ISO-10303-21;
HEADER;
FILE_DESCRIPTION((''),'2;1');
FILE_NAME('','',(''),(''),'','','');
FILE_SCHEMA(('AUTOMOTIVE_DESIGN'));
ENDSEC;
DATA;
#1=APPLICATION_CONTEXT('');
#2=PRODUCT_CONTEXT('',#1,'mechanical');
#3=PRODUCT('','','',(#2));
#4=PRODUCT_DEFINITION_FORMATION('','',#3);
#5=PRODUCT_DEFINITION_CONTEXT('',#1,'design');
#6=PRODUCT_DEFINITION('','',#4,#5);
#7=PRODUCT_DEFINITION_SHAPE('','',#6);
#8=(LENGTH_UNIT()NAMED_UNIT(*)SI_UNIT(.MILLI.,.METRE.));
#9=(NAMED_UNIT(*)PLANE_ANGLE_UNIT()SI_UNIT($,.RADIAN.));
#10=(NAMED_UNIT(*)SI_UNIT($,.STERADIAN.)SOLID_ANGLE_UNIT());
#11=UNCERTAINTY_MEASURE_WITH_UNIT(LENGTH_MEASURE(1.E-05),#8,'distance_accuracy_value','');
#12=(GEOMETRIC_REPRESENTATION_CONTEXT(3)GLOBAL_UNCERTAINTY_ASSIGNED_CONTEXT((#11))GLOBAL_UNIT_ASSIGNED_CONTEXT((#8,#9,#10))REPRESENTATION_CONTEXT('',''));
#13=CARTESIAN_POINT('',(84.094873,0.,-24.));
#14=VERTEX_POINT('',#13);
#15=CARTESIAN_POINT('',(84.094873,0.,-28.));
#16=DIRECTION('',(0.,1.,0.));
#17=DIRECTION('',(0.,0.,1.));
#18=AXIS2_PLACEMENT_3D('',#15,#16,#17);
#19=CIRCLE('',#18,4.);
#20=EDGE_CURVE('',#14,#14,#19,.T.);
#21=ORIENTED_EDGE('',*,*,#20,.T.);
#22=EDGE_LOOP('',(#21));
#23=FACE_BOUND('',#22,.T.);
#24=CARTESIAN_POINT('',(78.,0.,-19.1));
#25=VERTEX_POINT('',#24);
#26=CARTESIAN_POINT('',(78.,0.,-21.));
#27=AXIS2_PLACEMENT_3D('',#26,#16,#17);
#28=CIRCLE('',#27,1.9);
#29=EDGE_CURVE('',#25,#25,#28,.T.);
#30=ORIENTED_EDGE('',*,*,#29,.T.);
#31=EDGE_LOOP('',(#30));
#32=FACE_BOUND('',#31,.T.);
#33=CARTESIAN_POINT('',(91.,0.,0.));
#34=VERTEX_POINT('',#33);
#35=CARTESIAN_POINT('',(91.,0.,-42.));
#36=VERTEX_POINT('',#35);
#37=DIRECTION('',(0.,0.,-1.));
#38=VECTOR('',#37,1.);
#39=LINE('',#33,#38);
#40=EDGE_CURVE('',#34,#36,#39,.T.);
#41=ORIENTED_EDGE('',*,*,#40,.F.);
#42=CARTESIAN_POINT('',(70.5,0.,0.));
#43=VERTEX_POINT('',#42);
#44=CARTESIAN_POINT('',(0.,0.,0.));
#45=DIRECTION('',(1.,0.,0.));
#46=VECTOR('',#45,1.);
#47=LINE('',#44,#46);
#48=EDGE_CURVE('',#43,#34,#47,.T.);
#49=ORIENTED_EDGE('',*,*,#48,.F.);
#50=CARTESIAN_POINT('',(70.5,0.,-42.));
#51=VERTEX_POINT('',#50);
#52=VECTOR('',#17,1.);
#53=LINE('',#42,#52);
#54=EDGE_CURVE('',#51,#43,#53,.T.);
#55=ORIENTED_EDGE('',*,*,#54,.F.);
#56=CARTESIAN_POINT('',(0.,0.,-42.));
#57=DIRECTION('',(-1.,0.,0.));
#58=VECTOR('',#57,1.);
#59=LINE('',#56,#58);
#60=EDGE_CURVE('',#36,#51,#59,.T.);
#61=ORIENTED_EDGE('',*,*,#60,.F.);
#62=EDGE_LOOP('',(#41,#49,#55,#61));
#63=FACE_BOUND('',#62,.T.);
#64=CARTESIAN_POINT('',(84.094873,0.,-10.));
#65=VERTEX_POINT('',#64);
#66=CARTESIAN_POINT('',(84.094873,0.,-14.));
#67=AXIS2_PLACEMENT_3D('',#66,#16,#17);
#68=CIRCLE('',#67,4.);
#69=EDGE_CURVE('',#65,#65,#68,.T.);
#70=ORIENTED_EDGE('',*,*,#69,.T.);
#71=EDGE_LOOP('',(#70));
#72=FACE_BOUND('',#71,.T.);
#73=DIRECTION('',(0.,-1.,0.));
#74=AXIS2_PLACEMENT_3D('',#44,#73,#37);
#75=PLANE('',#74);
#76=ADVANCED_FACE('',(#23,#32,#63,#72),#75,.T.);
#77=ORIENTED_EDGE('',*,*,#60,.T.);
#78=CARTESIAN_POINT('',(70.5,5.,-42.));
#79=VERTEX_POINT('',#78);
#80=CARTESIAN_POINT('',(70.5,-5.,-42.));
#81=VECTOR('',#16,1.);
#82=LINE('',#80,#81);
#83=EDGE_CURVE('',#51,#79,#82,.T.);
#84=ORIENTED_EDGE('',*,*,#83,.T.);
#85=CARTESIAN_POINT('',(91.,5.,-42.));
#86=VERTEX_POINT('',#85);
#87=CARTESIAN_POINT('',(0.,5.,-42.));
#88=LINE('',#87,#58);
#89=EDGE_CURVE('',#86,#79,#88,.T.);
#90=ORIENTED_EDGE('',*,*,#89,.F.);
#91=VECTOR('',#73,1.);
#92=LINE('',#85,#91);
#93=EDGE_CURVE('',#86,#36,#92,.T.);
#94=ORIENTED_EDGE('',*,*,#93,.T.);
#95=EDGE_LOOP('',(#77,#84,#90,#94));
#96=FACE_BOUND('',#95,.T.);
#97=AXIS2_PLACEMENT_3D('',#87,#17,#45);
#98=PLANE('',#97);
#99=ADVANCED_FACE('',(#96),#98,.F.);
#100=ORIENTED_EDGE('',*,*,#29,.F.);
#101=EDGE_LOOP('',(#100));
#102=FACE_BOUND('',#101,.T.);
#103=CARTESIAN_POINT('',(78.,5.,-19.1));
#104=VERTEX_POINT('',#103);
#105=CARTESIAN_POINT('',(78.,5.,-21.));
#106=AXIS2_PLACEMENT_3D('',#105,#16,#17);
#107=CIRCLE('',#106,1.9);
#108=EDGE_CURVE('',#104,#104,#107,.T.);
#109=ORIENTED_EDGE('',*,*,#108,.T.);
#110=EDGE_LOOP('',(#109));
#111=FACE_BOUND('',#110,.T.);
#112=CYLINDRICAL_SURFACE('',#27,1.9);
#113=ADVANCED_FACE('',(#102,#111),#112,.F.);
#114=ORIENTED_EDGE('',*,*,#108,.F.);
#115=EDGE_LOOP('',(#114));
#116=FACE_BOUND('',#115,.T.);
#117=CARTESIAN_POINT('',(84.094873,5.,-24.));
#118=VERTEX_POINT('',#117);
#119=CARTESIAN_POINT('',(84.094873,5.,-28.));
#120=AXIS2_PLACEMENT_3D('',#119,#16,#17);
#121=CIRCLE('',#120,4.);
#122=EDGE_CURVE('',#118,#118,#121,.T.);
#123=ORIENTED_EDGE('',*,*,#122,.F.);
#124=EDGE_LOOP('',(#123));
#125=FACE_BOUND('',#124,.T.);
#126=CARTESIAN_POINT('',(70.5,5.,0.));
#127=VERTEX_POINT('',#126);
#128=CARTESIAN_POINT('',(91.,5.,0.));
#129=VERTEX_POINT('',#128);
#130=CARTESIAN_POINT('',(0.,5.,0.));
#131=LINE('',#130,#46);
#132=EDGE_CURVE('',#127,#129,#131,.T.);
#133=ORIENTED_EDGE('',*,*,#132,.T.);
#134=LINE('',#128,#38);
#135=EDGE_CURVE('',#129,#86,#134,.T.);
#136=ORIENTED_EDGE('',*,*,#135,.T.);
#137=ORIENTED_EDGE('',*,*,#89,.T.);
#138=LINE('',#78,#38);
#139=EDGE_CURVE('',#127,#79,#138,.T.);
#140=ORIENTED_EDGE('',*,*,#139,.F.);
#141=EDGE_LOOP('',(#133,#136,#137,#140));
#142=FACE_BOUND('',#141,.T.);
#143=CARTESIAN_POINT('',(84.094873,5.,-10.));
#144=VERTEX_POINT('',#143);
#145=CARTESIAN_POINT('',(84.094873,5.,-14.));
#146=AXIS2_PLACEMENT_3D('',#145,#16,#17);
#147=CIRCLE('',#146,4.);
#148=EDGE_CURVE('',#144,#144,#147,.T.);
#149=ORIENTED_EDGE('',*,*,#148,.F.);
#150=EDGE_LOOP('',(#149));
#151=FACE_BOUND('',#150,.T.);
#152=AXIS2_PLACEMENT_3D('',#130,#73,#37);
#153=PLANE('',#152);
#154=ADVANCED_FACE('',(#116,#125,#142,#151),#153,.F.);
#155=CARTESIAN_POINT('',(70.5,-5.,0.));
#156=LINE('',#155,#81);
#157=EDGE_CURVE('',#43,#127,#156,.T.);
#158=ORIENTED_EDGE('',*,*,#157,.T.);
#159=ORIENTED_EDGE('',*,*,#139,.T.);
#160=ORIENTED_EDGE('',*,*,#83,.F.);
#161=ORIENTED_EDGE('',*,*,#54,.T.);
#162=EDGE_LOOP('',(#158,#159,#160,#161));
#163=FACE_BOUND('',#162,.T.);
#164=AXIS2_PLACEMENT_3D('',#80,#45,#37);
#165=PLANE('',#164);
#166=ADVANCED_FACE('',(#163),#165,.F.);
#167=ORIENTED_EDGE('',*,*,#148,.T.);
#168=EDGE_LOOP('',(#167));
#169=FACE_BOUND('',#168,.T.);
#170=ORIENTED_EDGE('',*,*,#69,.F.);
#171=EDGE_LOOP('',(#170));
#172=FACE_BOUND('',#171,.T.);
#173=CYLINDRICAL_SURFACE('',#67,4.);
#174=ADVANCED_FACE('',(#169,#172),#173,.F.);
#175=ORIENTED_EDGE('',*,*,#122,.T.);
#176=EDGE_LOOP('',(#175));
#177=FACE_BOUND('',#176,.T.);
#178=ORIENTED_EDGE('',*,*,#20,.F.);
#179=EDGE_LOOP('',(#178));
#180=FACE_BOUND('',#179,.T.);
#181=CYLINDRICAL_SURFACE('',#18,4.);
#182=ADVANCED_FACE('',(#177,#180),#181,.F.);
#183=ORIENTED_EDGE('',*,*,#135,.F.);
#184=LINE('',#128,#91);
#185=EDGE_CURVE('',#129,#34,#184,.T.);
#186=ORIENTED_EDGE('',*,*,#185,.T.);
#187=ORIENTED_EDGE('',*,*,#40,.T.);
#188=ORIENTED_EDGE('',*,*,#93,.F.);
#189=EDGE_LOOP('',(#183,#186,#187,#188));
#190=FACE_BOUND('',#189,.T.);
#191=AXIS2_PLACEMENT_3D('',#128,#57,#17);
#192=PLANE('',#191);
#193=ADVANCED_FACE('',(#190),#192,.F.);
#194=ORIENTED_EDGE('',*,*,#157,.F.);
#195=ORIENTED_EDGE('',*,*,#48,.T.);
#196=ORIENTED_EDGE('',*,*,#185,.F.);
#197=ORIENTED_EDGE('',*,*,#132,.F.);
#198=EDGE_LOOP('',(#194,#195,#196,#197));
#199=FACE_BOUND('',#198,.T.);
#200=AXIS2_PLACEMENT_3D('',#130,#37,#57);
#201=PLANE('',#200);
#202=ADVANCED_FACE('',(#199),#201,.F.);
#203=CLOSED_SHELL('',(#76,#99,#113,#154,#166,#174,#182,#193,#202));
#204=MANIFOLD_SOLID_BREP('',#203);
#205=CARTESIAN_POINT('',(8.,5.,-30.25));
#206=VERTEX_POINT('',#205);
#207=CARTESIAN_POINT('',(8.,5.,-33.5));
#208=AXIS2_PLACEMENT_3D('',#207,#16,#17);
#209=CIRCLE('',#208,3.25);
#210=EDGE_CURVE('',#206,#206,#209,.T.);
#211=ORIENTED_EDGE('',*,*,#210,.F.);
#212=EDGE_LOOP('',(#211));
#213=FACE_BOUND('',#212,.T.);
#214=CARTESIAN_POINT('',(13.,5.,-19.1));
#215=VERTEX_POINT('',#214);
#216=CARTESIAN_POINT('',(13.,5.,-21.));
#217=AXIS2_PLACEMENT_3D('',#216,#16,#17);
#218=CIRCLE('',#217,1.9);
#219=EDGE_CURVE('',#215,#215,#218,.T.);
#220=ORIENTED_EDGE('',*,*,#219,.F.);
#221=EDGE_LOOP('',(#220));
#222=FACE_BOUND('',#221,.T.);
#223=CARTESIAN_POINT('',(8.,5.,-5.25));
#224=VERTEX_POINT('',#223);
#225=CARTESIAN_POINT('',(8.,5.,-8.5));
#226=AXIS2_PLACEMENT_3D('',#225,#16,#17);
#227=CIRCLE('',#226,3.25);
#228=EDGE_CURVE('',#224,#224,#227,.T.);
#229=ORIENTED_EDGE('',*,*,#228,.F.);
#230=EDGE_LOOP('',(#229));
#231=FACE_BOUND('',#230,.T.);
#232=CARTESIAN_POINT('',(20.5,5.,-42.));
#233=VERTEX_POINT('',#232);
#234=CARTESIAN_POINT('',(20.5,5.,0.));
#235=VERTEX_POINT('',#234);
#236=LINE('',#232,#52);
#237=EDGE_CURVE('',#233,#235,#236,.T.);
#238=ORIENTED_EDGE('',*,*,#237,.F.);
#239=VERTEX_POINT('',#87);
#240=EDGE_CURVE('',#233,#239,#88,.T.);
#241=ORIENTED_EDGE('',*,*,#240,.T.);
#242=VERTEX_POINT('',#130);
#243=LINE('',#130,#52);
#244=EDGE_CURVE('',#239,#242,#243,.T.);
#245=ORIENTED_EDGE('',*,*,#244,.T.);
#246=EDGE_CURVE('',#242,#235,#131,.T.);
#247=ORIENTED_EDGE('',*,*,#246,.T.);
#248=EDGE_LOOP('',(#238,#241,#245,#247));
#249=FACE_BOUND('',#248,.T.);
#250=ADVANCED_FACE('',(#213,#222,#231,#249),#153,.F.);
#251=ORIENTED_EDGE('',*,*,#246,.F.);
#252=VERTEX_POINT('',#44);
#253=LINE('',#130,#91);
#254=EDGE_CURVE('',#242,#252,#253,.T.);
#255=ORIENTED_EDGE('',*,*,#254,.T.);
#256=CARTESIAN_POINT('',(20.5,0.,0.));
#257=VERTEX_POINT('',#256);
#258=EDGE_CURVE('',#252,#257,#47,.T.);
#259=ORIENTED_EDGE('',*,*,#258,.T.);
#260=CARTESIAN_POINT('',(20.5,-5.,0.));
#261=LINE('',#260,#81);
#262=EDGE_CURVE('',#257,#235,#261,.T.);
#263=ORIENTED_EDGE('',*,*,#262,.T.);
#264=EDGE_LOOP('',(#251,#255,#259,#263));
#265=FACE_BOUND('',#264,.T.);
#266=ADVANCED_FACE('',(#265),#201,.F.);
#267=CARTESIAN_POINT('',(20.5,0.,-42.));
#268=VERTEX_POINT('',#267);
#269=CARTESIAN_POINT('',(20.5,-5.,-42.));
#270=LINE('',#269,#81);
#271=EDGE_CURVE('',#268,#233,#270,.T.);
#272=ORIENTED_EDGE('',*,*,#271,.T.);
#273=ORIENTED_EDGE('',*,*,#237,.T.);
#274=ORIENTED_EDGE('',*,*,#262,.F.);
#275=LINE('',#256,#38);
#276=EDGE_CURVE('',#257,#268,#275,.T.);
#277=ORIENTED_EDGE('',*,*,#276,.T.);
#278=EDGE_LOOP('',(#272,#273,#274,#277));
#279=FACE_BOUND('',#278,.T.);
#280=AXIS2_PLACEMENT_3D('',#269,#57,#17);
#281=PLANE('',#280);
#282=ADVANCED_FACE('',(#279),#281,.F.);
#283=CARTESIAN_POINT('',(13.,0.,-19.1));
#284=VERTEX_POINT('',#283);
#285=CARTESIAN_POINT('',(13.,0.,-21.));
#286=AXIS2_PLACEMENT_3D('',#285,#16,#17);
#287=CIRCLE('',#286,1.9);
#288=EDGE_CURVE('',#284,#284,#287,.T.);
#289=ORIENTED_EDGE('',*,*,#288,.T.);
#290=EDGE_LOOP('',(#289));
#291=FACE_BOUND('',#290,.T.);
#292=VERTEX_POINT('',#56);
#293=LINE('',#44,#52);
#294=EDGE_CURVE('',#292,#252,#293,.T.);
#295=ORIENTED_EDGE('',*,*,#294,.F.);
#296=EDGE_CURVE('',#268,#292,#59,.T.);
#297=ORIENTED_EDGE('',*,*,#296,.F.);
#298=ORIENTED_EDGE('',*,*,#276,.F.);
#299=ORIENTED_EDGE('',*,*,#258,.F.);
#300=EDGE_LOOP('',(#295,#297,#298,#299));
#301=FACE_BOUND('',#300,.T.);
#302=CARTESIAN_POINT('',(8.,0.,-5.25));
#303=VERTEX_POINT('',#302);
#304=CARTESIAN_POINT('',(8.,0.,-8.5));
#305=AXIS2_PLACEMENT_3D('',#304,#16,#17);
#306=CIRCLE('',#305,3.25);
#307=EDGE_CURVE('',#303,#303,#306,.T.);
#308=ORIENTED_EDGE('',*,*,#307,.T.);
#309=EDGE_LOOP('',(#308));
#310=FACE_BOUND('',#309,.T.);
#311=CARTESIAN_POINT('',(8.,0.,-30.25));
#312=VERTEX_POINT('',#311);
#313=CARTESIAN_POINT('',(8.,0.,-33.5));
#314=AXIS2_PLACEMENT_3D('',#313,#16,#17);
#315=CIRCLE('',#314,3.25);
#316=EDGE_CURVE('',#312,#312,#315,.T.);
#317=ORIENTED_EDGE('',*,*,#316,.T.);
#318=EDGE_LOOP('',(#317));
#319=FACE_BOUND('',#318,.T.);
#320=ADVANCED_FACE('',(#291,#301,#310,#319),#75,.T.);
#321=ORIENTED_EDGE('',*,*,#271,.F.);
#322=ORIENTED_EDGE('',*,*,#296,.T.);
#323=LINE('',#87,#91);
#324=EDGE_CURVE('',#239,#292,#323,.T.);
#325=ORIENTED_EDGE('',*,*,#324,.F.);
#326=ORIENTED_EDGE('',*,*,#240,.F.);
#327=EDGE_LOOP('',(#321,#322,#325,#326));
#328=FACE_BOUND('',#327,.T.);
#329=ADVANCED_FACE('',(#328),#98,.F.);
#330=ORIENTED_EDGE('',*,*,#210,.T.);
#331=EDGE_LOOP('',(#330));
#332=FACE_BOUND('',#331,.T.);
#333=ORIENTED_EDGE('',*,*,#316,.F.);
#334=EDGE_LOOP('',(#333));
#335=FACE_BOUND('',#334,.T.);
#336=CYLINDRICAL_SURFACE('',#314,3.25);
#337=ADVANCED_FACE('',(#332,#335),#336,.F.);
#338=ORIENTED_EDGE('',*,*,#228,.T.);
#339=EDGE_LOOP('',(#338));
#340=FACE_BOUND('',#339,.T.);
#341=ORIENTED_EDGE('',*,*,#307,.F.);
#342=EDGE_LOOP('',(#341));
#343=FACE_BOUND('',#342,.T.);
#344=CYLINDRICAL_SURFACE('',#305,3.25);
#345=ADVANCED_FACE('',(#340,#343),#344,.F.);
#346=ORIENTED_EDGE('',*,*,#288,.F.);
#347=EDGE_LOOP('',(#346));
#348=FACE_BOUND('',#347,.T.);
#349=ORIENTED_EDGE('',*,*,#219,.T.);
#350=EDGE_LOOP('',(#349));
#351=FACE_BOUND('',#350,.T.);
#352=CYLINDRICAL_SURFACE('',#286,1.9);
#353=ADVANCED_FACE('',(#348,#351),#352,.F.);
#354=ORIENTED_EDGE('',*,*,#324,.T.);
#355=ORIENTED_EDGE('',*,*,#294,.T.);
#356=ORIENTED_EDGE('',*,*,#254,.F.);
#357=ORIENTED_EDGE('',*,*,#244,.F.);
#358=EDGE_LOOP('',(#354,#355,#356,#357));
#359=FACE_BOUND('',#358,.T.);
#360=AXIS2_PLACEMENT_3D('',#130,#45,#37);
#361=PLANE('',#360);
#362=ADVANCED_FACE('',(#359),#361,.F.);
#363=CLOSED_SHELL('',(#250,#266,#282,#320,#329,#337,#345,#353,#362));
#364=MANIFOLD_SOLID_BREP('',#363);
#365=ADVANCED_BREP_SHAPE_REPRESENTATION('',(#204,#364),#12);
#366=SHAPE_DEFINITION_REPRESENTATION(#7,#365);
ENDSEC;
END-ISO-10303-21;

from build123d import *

# Parameters (mm, degrees)
SKETCH_1_W          = 91
SKETCH_1_H          = 42
EXTRUDE_1_DEPTH     = 5
SKETCH_2_R          = 1.75
SKETCH_2_R_2        = 2.25
SKETCH_2_R_3        = 1.9
CUT_EXTRUDE_1_DEPTH = 5
SKETCH_3_R          = 4
SKETCH_3_R_2        = 3.25
CUT_EXTRUDE_2_DEPTH = 5
SKETCH_4_W          = 50
SKETCH_4_H          = 42
CUT_EXTRUDE_3_DEPTH = 10


with BuildPart() as part:
    # 스케치1 → 보스-돌출1 (new body)
    with BuildSketch(Plane(origin=(0, 0, 0), x_dir=(1, 0, 0), z_dir=(0, 1, 0))):
        with Locations((45.5, 21)):
            Rectangle(SKETCH_1_W, SKETCH_1_H)
    extrude(amount=EXTRUDE_1_DEPTH)

    # 스케치2 → 컷-돌출1 (cut)
    with BuildSketch(Plane(origin=(0, 5, 0), x_dir=(1, 0, 0), z_dir=(0, 1, 0))):
        with Locations(Location((28, 33.5, 0), (0, 0, 270))):
            Circle(SKETCH_2_R)
        with Locations(Location((28, 8.5, 0), (0, 0, 270))):
            Circle(SKETCH_2_R)
        with Locations(Location((8, 8.5, 0), (0, 0, 270))):
            Circle(SKETCH_2_R)
        with Locations(Location((8, 33.5, 0), (0, 0, 270))):
            Circle(SKETCH_2_R)
        with Locations(Location((42.094873015, 28, 0), (0, 0, 270))):
            Circle(SKETCH_2_R_2)
        with Locations(Location((42.094873015, 14, 0), (0, 0, 270))):
            Circle(SKETCH_2_R_2)
        with Locations(Location((84.094873015, 14, 0), (0, 0, 270))):
            Circle(SKETCH_2_R_2)
        with Locations(Location((84.094873015, 28, 0), (0, 0, 270))):
            Circle(SKETCH_2_R_2)
        with Locations(Location((78, 21, 0), (0, 0, 270))):
            Circle(SKETCH_2_R_3)
        with Locations(Location((13, 21, 0), (0, 0, 270))):
            Circle(SKETCH_2_R_3)
    extrude(amount=-CUT_EXTRUDE_1_DEPTH, mode=Mode.SUBTRACT)

    # 스케치3 → 컷-돌출2 (cut)
    with BuildSketch(Plane(origin=(0, 5, 0), x_dir=(1, 0, 0), z_dir=(0, 1, 0))):
        with Locations(Location((84.094873015, 28, 0), (0, 0, 270))):
            Circle(SKETCH_3_R)
        with Locations(Location((84.094873015, 14, 0), (0, 0, 270))):
            Circle(SKETCH_3_R)
        with Locations(Location((42.094873015, 14, 0), (0, 0, 270))):
            Circle(SKETCH_3_R)
        with Locations(Location((42.094873015, 28, 0), (0, 0, 270))):
            Circle(SKETCH_3_R)
        with Locations(Location((28, 33.5, 0), (0, 0, 270))):
            Circle(SKETCH_3_R_2)
        with Locations(Location((28, 8.5, 0), (0, 0, 270))):
            Circle(SKETCH_3_R_2)
        with Locations(Location((8, 8.5, 0), (0, 0, 270))):
            Circle(SKETCH_3_R_2)
        with Locations(Location((8, 33.5, 0), (0, 0, 270))):
            Circle(SKETCH_3_R_2)
    extrude(amount=-CUT_EXTRUDE_2_DEPTH, mode=Mode.SUBTRACT)

    # 스케치4 → 컷-돌출3 (cut)
    with BuildSketch(Plane(origin=(0, 5, 0), x_dir=(1, 0, 0), z_dir=(0, 1, 0))):
        with Locations((45.5, 21)):
            Rectangle(SKETCH_4_W, SKETCH_4_H)
    extrude(amount=-CUT_EXTRUDE_3_DEPTH, mode=Mode.SUBTRACT)


with BuildPart() as cut_extrude_3_piece_1:
    # of the separate pieces the step leaves, piece 1, a body of its own (cut_extrude_3_pieces)
    add(part.part.solids().sort_by_distance((0, 0, 0))[0])


with BuildPart() as cut_extrude_3_piece_2:
    # of the separate pieces the step leaves, piece 2, a body of its own (cut_extrude_3_pieces)
    add(part.part.solids().sort_by_distance((70.5, 0, 0))[0])


solid = Compound([cut_extrude_3_piece_1.part, cut_extrude_3_piece_2.part])
